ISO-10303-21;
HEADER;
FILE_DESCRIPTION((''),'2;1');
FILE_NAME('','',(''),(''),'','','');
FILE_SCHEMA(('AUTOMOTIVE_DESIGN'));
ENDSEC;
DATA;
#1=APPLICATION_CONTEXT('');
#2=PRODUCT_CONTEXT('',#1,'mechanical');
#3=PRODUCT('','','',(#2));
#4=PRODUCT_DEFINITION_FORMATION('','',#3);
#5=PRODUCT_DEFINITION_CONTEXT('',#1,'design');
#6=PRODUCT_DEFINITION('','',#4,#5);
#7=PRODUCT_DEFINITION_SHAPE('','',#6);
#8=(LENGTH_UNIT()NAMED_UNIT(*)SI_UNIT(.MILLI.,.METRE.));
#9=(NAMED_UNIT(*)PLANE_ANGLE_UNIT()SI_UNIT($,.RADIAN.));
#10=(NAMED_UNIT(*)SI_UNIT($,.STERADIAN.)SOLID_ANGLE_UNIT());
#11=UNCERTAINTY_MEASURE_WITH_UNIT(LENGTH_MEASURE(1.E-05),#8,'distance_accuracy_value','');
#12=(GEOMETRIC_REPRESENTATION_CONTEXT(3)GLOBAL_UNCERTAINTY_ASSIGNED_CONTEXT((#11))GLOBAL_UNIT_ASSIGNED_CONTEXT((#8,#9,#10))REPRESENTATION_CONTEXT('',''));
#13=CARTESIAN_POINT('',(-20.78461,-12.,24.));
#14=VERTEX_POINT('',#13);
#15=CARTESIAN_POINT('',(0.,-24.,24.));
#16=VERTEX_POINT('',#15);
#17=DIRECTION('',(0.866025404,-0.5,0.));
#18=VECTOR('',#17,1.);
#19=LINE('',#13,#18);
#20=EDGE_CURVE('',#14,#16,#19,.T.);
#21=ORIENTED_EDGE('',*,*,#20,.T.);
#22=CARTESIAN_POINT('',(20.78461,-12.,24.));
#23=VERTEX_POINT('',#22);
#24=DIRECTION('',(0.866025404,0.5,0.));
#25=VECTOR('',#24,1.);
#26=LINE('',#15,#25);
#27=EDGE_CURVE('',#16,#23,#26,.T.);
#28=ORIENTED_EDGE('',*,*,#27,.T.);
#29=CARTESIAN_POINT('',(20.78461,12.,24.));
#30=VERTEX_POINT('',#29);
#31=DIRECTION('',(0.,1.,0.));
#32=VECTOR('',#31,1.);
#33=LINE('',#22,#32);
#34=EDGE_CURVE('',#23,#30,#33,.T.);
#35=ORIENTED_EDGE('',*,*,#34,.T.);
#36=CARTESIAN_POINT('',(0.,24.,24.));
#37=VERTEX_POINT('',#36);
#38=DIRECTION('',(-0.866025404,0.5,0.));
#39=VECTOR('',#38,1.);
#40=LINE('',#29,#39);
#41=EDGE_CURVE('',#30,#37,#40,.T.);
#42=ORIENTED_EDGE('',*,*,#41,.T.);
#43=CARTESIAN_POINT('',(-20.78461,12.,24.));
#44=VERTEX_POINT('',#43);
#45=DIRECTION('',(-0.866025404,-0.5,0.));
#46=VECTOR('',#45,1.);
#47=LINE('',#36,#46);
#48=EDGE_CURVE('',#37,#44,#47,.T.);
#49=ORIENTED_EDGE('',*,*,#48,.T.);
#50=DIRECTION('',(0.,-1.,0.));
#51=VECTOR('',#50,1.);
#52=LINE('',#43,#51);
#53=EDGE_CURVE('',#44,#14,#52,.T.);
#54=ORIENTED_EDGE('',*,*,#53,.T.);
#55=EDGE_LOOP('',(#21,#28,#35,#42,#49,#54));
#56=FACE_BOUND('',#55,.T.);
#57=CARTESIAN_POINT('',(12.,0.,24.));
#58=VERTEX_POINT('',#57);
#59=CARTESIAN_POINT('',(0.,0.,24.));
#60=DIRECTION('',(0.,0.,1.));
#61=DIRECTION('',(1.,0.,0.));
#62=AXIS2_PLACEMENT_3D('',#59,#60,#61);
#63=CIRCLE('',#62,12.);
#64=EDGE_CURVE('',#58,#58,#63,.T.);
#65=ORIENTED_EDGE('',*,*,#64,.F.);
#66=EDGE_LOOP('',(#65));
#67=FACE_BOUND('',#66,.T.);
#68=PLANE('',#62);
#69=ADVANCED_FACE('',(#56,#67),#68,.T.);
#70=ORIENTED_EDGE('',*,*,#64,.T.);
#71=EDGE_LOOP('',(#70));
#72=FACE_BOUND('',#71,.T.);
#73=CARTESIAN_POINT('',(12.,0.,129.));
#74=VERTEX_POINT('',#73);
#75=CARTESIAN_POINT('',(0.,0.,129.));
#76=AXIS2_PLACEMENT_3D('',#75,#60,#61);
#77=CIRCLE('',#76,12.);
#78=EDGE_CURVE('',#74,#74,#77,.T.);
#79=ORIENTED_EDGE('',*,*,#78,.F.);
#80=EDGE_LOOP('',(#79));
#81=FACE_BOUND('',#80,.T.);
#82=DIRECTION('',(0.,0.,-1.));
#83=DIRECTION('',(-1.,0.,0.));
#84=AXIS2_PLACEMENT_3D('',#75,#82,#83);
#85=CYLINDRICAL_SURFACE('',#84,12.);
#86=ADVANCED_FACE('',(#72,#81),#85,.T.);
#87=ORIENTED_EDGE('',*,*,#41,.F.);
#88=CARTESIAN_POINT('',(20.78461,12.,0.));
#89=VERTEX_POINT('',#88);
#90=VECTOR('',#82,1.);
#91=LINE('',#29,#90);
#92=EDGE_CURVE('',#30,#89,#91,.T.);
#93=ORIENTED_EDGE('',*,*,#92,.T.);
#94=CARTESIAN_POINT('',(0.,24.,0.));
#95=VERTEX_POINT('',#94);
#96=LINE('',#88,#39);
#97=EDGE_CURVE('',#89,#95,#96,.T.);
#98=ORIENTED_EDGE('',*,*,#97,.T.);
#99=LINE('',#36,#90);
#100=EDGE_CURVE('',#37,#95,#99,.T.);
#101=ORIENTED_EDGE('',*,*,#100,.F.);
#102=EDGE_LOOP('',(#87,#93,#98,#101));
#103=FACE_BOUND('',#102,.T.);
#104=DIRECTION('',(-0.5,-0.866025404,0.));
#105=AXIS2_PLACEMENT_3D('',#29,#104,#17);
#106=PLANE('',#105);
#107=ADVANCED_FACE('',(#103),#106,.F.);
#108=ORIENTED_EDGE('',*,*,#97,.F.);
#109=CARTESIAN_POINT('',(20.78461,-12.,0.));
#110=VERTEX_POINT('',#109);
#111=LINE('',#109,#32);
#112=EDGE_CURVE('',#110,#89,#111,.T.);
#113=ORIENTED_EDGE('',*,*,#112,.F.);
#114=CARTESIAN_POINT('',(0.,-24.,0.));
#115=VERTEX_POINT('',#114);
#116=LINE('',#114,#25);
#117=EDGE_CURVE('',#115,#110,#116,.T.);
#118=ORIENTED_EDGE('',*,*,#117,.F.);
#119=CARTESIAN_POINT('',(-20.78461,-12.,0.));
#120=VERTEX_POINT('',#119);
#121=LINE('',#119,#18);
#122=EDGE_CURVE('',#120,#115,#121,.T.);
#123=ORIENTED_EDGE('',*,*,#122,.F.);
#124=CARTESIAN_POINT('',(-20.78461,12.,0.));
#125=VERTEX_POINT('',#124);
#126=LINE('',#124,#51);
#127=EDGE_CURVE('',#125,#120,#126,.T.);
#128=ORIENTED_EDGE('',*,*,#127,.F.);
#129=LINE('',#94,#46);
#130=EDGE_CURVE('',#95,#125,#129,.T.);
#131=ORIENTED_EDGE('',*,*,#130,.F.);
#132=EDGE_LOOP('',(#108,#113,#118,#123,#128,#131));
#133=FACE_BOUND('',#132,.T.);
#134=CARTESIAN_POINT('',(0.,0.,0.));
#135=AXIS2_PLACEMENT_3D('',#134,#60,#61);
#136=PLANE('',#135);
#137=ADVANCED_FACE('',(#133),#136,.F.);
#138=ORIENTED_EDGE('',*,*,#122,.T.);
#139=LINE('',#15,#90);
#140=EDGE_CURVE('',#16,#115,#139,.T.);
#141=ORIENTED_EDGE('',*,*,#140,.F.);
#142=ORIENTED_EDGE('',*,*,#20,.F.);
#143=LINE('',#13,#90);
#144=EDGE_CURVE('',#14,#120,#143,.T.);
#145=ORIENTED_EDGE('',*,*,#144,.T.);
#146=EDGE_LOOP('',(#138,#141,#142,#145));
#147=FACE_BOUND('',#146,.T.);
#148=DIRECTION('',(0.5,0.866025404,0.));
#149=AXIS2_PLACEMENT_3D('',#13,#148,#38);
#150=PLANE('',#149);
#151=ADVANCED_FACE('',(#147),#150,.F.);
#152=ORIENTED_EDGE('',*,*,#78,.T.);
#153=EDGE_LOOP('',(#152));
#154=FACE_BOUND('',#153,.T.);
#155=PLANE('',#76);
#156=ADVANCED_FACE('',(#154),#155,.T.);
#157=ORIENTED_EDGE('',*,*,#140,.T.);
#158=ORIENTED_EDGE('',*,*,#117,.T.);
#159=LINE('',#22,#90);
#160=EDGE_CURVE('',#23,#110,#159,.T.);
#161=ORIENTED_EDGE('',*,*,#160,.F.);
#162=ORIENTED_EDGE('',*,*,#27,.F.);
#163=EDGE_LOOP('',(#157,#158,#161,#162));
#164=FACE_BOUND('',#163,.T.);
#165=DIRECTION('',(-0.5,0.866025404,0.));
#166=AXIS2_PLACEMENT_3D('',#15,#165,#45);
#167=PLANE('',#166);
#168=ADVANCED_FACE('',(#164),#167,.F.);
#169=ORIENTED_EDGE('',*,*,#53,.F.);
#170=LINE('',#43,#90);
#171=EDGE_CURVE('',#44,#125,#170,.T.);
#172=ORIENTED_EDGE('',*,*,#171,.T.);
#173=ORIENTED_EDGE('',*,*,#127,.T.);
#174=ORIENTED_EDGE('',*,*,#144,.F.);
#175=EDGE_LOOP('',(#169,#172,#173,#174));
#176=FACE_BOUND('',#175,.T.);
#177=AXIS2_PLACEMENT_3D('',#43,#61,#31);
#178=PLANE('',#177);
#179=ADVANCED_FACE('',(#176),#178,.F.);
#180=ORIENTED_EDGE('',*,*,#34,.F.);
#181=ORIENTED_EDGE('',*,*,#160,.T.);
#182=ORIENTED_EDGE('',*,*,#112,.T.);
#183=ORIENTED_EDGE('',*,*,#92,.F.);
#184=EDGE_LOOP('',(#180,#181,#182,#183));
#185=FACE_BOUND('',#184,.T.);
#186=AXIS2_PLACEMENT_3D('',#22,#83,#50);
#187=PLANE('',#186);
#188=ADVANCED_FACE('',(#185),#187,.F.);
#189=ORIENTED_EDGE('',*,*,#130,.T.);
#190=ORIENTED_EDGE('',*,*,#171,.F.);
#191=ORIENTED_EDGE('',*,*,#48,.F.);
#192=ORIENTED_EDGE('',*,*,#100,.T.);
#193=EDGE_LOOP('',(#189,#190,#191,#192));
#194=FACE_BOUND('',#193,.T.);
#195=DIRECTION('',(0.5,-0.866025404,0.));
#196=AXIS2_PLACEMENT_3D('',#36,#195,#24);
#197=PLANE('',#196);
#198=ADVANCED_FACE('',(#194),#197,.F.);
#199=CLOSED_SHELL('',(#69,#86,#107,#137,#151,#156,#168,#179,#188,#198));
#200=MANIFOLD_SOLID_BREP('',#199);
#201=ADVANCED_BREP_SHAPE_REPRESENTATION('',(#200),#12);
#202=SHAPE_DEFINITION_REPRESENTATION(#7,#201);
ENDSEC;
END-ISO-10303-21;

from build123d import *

# Parameters (mm, degrees)
BOSS_EXTRUDE2_DEPTH = 24
SKETCH3_R           = 12
BOSS_EXTRUDE3_DEPTH = 105


with BuildPart() as part:
    # Sketch1 → Boss-Extrude2 (new body)
    with BuildSketch(Plane.XY):
        Polygon((0, 24), (-20.784609691, 12), (-20.784609691, -12), (0, -24), (20.784609691, -12), (20.784609691, 12), align=None)
    extrude(amount=BOSS_EXTRUDE2_DEPTH)

    # Sketch3 → Boss-Extrude3 (add)
    with BuildSketch(Plane.XY.offset(24)):
        Circle(SKETCH3_R)
    extrude(amount=BOSS_EXTRUDE3_DEPTH)


solid = part.part
